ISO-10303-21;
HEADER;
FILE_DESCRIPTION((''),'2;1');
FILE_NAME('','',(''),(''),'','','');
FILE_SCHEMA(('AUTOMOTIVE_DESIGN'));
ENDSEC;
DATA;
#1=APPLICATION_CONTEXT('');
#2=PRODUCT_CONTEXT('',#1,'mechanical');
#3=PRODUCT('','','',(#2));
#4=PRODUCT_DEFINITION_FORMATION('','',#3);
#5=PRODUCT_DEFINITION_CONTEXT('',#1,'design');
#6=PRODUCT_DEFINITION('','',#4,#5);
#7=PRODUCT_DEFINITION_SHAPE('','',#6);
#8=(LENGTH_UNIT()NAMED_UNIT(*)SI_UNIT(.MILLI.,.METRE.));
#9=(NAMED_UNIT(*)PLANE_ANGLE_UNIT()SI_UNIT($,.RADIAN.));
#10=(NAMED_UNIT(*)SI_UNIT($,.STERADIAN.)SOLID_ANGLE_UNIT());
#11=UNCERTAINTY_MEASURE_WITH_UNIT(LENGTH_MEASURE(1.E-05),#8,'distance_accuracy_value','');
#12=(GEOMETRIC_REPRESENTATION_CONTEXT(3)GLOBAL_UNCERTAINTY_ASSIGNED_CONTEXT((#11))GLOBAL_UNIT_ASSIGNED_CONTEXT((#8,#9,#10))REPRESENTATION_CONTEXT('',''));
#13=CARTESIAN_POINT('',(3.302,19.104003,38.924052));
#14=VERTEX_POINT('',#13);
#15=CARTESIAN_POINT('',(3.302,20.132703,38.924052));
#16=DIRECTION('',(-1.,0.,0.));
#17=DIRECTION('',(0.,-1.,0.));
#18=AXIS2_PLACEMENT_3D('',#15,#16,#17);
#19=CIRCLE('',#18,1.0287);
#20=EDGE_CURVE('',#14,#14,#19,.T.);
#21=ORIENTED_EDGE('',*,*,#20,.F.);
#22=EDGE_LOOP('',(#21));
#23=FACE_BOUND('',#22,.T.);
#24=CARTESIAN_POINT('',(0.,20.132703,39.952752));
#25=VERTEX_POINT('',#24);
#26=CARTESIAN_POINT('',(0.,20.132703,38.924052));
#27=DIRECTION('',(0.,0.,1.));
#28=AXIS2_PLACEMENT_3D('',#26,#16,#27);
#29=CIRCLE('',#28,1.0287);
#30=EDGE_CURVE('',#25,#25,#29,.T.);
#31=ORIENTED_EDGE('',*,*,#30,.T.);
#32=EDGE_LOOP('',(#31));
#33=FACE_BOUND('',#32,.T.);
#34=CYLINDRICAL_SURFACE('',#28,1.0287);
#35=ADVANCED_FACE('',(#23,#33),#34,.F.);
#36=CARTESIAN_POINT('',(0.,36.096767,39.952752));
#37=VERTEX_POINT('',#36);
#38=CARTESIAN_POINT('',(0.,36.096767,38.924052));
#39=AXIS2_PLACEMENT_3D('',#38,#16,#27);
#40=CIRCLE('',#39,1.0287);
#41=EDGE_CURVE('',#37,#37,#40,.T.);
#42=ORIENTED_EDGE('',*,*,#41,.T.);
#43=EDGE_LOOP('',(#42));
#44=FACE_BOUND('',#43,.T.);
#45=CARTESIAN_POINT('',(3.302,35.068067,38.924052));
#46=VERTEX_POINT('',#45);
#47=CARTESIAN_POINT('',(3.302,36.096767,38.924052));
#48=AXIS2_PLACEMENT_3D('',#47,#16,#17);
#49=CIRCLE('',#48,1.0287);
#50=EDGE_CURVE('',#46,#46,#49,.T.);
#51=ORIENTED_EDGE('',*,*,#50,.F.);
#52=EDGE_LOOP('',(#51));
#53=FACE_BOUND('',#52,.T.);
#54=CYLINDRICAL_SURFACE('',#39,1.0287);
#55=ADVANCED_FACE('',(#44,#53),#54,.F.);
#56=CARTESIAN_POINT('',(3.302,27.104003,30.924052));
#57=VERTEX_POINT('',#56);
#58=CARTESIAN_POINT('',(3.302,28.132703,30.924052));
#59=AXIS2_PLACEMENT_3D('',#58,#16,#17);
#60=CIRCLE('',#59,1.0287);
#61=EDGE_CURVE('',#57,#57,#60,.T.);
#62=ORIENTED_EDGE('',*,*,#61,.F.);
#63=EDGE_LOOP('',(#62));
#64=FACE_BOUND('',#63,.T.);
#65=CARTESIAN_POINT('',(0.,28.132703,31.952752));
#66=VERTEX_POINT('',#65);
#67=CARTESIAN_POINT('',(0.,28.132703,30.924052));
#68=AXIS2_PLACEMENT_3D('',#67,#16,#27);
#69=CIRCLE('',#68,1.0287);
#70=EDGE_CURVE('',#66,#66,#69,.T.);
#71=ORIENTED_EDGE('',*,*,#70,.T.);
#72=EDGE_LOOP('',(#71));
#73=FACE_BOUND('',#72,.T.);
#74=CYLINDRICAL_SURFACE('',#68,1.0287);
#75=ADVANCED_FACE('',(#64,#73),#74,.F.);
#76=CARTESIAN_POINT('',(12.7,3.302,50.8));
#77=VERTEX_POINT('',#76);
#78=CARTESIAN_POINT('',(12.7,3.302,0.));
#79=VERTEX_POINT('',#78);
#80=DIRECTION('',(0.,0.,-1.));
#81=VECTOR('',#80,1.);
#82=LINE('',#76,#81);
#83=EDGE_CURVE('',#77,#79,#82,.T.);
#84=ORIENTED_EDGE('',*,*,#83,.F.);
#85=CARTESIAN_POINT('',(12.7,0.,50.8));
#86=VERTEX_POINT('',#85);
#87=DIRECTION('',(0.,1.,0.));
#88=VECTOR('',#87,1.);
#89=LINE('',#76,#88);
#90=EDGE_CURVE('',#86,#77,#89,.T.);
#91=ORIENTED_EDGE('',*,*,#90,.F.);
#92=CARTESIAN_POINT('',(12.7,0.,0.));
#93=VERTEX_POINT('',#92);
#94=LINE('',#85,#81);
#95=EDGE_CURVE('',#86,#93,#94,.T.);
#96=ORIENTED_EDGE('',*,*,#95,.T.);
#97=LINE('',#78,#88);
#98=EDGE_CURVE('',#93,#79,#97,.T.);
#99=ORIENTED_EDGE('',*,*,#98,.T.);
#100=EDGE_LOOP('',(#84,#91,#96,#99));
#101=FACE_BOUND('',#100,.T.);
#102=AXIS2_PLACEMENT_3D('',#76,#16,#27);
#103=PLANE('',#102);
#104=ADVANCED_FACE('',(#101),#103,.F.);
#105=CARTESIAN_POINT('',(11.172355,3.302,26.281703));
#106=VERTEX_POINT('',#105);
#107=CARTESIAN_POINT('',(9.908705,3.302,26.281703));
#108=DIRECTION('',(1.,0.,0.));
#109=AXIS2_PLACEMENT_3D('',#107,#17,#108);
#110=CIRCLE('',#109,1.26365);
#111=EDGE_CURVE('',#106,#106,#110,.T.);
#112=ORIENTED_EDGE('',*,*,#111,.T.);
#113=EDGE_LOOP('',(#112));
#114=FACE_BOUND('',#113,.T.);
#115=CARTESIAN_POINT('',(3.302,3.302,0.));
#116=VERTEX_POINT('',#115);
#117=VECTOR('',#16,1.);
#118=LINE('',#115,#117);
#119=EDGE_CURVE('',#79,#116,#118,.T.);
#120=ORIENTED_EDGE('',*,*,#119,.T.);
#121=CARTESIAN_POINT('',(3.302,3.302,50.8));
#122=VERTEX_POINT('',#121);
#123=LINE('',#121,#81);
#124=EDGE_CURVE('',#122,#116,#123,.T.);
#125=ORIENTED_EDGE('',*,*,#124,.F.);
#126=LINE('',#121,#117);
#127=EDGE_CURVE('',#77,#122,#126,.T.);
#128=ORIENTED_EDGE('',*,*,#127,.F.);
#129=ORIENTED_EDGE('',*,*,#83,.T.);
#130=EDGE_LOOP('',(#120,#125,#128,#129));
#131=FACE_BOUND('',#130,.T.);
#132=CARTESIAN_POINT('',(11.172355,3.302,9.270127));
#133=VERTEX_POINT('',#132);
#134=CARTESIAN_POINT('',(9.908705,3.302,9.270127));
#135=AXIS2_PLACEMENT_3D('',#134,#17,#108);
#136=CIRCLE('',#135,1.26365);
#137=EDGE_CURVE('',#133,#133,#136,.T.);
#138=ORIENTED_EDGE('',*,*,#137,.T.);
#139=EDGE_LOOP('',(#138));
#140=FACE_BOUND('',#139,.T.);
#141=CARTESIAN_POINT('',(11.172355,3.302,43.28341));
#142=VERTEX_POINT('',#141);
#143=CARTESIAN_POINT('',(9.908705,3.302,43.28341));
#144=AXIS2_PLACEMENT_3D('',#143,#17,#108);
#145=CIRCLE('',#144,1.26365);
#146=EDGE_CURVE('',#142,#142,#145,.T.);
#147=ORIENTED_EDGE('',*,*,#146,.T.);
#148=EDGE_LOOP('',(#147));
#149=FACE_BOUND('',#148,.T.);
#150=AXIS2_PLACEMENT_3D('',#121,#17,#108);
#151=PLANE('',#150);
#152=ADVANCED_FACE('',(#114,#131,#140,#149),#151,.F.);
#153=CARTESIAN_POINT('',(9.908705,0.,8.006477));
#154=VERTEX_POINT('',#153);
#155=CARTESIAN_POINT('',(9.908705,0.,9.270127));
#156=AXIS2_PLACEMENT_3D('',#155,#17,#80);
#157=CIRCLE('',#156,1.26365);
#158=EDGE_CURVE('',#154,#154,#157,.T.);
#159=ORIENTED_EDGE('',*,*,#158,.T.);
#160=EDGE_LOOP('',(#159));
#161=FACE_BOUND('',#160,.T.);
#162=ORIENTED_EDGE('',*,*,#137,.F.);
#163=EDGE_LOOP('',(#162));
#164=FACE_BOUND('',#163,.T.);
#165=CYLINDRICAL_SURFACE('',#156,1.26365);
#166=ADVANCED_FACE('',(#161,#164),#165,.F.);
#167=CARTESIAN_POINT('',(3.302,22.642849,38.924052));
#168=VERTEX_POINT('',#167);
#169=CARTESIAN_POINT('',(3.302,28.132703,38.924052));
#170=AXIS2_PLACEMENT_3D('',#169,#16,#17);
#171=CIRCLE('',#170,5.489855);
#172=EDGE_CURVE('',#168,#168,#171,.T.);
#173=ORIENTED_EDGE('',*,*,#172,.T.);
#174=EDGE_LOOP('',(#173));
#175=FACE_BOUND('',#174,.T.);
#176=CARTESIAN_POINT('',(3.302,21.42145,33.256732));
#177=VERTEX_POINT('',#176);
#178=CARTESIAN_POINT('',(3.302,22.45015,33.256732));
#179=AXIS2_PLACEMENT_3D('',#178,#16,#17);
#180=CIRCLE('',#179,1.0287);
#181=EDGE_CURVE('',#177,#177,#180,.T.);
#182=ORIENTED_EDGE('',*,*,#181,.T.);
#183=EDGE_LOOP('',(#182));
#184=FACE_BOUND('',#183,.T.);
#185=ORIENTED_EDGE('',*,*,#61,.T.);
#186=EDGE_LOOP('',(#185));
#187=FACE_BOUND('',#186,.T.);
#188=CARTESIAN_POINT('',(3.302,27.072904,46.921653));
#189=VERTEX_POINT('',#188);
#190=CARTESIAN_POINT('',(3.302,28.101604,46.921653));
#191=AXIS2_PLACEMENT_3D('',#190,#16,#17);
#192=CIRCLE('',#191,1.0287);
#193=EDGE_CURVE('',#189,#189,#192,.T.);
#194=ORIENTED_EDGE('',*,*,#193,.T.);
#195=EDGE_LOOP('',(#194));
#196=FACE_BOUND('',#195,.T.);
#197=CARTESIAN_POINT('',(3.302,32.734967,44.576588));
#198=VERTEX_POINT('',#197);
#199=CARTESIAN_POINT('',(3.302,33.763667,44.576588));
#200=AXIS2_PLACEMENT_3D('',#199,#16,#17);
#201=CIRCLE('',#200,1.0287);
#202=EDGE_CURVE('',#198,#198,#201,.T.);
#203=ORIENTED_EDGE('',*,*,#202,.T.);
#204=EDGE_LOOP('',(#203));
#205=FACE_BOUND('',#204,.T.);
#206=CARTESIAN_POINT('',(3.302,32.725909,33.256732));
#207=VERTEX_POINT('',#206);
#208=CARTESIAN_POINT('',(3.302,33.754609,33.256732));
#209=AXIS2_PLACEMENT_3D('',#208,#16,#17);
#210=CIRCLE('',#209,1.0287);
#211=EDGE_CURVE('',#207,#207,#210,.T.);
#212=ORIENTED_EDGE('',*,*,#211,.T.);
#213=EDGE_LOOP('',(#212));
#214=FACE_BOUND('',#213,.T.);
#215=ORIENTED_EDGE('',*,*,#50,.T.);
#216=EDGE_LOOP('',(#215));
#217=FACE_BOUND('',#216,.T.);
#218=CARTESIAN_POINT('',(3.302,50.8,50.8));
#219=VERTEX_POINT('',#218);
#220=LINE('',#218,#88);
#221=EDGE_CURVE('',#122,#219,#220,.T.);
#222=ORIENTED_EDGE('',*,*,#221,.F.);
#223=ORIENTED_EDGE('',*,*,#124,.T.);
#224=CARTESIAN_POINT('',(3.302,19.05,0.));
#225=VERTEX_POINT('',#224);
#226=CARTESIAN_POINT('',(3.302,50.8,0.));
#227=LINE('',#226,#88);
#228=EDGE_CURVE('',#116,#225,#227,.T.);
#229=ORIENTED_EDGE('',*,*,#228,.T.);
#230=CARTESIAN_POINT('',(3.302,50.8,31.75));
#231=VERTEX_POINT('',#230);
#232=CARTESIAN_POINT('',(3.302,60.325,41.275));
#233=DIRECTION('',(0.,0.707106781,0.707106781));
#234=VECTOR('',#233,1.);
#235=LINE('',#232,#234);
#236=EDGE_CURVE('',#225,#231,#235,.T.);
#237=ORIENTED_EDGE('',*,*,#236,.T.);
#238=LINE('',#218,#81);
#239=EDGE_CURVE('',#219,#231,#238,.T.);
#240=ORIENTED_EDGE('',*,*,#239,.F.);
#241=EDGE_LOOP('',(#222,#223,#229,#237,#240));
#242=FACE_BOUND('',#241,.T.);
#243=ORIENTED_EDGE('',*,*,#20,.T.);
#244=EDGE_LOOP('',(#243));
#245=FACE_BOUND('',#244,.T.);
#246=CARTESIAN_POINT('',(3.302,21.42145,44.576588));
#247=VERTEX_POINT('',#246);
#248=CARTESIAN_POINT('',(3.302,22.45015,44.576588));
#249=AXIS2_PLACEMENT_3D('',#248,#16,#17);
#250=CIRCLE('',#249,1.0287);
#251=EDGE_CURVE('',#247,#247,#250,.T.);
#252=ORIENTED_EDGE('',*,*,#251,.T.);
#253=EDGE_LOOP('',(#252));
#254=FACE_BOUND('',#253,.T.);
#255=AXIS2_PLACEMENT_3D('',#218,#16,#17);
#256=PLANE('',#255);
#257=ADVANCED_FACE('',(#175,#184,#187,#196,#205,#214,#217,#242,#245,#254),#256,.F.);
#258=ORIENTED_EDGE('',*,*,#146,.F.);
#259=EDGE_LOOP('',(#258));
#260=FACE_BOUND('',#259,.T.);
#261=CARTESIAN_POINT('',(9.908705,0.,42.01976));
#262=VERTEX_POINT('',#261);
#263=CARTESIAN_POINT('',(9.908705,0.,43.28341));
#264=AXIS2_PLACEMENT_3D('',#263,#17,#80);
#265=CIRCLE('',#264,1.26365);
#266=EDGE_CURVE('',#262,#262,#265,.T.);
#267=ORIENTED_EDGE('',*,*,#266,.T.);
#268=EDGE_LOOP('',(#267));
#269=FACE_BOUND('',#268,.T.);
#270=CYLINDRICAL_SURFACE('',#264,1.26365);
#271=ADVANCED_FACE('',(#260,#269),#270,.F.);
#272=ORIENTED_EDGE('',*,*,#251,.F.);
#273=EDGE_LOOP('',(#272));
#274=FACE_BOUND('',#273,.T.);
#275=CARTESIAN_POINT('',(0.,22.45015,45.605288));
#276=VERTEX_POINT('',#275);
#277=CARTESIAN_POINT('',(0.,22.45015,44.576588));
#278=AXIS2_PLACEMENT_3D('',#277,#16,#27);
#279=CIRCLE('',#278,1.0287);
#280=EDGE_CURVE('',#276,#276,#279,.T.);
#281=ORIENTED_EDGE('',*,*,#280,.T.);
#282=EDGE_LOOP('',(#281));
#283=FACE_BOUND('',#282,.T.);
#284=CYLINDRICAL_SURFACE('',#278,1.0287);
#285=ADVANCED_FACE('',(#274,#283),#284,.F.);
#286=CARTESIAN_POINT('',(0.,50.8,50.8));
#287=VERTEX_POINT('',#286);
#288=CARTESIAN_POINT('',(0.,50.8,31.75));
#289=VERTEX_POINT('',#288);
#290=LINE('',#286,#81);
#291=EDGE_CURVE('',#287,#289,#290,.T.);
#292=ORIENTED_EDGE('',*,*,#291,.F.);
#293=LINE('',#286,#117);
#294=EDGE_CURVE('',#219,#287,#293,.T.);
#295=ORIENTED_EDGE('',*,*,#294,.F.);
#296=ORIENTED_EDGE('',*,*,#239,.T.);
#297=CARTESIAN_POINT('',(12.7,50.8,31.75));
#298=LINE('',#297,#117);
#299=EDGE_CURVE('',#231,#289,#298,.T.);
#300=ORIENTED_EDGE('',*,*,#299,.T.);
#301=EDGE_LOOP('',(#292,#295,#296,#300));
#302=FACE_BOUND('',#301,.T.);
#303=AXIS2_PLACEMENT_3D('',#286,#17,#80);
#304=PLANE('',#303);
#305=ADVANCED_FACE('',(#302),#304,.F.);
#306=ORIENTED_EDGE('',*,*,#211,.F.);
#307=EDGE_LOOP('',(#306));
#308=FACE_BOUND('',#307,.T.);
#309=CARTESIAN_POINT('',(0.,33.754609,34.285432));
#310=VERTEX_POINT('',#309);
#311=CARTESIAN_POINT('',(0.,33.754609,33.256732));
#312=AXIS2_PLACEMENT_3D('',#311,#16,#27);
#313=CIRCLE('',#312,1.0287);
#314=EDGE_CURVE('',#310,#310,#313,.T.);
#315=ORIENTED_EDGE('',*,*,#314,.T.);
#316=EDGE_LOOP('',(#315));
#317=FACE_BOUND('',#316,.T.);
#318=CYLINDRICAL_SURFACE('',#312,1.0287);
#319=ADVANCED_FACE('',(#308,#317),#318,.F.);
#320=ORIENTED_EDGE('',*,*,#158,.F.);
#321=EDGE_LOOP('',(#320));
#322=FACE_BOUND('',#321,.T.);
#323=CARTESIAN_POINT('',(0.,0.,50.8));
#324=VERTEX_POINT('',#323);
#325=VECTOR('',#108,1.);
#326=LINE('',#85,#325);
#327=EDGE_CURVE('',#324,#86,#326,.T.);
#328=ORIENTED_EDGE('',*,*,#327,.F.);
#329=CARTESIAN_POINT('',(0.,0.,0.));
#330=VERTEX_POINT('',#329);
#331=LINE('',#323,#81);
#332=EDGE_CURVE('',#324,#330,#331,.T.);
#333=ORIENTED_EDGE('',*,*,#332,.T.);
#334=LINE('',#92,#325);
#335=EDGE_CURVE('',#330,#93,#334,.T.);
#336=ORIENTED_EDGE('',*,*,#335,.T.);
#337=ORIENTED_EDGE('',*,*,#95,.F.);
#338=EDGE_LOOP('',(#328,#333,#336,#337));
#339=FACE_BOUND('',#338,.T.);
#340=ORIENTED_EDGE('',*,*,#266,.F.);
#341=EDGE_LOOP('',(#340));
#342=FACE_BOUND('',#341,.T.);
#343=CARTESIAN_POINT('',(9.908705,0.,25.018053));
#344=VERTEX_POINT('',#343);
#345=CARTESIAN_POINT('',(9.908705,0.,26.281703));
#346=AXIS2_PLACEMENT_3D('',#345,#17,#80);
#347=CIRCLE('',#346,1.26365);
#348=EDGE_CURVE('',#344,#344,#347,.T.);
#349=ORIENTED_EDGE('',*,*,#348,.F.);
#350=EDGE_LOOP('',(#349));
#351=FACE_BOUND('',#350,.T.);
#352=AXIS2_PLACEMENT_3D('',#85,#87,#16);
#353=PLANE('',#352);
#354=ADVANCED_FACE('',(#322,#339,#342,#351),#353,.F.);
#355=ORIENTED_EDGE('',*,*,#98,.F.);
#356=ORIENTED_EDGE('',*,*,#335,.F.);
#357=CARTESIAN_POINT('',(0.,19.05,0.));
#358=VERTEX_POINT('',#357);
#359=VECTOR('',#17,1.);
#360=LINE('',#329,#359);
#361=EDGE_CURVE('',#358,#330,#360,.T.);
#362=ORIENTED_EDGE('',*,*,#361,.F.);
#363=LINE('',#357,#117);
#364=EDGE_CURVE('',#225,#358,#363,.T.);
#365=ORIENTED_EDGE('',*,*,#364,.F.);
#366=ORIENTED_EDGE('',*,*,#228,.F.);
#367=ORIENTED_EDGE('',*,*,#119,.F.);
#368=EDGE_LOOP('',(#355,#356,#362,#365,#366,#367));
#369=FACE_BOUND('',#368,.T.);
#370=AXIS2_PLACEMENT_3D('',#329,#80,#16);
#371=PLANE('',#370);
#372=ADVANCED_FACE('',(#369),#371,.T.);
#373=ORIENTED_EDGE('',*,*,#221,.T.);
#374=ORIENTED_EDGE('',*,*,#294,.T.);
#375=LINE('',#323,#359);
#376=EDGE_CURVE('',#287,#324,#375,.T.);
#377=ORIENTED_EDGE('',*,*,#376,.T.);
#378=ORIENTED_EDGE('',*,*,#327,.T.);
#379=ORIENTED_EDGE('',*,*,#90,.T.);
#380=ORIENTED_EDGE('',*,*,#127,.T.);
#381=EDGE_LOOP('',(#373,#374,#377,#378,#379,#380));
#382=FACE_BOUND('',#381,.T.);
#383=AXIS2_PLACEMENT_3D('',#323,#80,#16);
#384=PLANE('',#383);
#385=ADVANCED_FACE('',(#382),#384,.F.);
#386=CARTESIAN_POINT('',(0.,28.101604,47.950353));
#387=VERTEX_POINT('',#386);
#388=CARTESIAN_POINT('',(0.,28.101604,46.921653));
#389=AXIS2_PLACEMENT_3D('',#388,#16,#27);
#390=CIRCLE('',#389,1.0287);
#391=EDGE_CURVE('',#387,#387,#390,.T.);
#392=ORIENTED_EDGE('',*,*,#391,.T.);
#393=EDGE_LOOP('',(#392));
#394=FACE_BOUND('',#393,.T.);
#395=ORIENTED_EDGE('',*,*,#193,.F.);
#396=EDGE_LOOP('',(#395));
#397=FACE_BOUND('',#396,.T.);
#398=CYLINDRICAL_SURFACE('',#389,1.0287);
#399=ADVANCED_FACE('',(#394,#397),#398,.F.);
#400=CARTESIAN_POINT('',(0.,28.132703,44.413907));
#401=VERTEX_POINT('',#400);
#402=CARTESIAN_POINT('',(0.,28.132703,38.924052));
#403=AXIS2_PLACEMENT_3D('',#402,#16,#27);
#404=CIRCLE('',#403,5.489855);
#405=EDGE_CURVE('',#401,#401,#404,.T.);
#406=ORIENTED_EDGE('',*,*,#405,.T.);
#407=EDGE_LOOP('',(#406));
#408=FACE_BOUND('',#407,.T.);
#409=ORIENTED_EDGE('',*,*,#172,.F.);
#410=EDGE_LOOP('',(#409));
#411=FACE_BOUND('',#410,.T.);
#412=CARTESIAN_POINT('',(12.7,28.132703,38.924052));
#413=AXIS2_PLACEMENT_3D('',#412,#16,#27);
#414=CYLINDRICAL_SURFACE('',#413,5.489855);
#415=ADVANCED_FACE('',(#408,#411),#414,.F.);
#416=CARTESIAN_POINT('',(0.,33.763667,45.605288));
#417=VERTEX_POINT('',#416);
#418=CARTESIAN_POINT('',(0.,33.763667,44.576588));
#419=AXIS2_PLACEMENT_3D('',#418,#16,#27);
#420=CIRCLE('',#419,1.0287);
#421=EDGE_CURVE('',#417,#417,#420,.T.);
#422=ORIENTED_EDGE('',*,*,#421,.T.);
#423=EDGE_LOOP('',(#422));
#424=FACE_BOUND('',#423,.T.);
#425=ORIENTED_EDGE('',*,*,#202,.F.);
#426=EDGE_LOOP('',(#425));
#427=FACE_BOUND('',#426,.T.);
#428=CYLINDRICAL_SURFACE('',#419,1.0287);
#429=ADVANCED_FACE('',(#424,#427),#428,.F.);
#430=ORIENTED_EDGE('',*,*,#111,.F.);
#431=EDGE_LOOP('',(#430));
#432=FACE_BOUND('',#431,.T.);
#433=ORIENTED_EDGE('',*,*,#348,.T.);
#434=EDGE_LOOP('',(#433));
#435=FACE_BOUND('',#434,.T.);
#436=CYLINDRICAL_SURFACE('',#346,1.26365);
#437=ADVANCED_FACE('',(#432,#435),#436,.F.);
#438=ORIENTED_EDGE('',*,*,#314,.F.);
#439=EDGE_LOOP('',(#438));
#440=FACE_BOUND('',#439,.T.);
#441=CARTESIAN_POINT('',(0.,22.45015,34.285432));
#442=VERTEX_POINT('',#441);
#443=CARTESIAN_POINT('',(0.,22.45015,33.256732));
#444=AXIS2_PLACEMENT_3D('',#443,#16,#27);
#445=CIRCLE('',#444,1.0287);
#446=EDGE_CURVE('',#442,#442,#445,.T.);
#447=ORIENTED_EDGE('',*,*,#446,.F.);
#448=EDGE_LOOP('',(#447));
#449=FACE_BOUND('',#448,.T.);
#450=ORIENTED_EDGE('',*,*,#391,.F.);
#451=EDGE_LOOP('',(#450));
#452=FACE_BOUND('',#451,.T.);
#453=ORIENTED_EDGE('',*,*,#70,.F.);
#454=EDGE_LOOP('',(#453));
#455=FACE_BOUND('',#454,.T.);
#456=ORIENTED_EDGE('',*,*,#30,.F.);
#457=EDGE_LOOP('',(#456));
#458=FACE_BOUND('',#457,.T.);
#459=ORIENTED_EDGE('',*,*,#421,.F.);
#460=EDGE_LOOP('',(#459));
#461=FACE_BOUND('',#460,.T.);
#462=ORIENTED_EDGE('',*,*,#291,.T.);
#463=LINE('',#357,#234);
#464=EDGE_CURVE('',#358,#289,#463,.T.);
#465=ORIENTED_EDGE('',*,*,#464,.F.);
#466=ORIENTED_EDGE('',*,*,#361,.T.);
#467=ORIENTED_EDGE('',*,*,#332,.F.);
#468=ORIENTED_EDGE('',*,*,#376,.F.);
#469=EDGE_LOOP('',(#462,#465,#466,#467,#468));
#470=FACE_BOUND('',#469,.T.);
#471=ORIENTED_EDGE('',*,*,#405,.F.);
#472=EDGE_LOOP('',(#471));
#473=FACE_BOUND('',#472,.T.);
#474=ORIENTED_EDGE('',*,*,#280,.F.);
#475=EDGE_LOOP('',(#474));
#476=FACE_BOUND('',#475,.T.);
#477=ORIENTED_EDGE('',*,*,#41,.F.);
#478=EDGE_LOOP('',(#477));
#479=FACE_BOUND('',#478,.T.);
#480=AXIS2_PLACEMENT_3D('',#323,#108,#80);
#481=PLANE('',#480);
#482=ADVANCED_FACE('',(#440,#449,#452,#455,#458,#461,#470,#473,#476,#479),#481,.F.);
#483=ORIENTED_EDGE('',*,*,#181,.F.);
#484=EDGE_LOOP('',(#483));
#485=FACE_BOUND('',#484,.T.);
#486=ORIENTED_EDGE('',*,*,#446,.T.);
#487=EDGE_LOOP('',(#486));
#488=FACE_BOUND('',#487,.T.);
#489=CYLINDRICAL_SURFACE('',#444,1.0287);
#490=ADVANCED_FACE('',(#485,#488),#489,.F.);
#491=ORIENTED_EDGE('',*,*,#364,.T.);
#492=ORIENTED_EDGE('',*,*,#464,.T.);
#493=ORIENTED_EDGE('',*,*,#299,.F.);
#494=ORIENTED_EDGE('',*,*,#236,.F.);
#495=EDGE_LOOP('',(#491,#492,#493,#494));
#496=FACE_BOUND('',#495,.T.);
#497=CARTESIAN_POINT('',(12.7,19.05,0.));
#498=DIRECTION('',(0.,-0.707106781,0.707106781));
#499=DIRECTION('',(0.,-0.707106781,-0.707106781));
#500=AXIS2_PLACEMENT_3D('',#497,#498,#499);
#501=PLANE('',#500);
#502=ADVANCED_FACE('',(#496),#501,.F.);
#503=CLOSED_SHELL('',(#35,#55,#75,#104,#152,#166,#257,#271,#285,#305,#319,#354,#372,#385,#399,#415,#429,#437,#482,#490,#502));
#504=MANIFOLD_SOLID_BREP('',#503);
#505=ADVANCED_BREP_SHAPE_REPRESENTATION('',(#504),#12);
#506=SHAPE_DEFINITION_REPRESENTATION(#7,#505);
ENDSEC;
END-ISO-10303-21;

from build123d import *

# Parameters (mm, degrees)
BOSS_EXTRUDE1_DEPTH          = 50.8
F_39_0_0995_DIAMETER_HOLE1_D = 2.5273
F_46_0_081_DIAMETER_HOLE1_D  = 2.0574
SKETCH9_R                    = 5.489854512
CUT_EXTRUDE1_DEPTH           = 73.955945611


with BuildPart() as part:
    # Sketch4 → Boss-Extrude1 (new body)
    with BuildSketch(Plane.XY):
        Polygon((0, 0), (0, 50.8), (3.302, 50.8), (3.302, 3.302), (12.7, 3.302), (12.7, 0), align=None)
    extrude(amount=BOSS_EXTRUDE1_DEPTH)

    # #39 (0.0995) Diameter Hole1 (through all)
    with Locations(Plane(origin=(0, 0, 0), x_dir=(-1, 0, 0), z_dir=(0, -1, 0))):
        with Locations((-9.908705213, -43.283410028), (-9.908705213, -26.281703485), (-9.908705213, -9.270127085)):
            Hole(F_39_0_0995_DIAMETER_HOLE1_D / 2)

    # #46 (0.081) Diameter Hole1 (through all)
    with Locations(Plane.ZY):
        with Locations((38.924052109, 20.132703071), (33.256732001, 22.45014951), (30.924052109, 28.132703071), (33.256732001, 33.754608506), (38.924052109, 36.096767323), (44.576588318, 33.763667384), (46.921652769, 28.101604064), (44.576588318, 22.45014951)):
            Hole(F_46_0_081_DIAMETER_HOLE1_D / 2)

    # Sketch9 → Cut-Extrude1 (cut, through all)
    with BuildSketch(Plane.ZY):
        with Locations((38.924052109, 28.132703071)):
            Circle(SKETCH9_R)
        Polygon((0, 19.05), (31.75, 50.8), (0, 50.8), align=None)
    extrude(amount=-CUT_EXTRUDE1_DEPTH, mode=Mode.SUBTRACT)


solid = part.part
